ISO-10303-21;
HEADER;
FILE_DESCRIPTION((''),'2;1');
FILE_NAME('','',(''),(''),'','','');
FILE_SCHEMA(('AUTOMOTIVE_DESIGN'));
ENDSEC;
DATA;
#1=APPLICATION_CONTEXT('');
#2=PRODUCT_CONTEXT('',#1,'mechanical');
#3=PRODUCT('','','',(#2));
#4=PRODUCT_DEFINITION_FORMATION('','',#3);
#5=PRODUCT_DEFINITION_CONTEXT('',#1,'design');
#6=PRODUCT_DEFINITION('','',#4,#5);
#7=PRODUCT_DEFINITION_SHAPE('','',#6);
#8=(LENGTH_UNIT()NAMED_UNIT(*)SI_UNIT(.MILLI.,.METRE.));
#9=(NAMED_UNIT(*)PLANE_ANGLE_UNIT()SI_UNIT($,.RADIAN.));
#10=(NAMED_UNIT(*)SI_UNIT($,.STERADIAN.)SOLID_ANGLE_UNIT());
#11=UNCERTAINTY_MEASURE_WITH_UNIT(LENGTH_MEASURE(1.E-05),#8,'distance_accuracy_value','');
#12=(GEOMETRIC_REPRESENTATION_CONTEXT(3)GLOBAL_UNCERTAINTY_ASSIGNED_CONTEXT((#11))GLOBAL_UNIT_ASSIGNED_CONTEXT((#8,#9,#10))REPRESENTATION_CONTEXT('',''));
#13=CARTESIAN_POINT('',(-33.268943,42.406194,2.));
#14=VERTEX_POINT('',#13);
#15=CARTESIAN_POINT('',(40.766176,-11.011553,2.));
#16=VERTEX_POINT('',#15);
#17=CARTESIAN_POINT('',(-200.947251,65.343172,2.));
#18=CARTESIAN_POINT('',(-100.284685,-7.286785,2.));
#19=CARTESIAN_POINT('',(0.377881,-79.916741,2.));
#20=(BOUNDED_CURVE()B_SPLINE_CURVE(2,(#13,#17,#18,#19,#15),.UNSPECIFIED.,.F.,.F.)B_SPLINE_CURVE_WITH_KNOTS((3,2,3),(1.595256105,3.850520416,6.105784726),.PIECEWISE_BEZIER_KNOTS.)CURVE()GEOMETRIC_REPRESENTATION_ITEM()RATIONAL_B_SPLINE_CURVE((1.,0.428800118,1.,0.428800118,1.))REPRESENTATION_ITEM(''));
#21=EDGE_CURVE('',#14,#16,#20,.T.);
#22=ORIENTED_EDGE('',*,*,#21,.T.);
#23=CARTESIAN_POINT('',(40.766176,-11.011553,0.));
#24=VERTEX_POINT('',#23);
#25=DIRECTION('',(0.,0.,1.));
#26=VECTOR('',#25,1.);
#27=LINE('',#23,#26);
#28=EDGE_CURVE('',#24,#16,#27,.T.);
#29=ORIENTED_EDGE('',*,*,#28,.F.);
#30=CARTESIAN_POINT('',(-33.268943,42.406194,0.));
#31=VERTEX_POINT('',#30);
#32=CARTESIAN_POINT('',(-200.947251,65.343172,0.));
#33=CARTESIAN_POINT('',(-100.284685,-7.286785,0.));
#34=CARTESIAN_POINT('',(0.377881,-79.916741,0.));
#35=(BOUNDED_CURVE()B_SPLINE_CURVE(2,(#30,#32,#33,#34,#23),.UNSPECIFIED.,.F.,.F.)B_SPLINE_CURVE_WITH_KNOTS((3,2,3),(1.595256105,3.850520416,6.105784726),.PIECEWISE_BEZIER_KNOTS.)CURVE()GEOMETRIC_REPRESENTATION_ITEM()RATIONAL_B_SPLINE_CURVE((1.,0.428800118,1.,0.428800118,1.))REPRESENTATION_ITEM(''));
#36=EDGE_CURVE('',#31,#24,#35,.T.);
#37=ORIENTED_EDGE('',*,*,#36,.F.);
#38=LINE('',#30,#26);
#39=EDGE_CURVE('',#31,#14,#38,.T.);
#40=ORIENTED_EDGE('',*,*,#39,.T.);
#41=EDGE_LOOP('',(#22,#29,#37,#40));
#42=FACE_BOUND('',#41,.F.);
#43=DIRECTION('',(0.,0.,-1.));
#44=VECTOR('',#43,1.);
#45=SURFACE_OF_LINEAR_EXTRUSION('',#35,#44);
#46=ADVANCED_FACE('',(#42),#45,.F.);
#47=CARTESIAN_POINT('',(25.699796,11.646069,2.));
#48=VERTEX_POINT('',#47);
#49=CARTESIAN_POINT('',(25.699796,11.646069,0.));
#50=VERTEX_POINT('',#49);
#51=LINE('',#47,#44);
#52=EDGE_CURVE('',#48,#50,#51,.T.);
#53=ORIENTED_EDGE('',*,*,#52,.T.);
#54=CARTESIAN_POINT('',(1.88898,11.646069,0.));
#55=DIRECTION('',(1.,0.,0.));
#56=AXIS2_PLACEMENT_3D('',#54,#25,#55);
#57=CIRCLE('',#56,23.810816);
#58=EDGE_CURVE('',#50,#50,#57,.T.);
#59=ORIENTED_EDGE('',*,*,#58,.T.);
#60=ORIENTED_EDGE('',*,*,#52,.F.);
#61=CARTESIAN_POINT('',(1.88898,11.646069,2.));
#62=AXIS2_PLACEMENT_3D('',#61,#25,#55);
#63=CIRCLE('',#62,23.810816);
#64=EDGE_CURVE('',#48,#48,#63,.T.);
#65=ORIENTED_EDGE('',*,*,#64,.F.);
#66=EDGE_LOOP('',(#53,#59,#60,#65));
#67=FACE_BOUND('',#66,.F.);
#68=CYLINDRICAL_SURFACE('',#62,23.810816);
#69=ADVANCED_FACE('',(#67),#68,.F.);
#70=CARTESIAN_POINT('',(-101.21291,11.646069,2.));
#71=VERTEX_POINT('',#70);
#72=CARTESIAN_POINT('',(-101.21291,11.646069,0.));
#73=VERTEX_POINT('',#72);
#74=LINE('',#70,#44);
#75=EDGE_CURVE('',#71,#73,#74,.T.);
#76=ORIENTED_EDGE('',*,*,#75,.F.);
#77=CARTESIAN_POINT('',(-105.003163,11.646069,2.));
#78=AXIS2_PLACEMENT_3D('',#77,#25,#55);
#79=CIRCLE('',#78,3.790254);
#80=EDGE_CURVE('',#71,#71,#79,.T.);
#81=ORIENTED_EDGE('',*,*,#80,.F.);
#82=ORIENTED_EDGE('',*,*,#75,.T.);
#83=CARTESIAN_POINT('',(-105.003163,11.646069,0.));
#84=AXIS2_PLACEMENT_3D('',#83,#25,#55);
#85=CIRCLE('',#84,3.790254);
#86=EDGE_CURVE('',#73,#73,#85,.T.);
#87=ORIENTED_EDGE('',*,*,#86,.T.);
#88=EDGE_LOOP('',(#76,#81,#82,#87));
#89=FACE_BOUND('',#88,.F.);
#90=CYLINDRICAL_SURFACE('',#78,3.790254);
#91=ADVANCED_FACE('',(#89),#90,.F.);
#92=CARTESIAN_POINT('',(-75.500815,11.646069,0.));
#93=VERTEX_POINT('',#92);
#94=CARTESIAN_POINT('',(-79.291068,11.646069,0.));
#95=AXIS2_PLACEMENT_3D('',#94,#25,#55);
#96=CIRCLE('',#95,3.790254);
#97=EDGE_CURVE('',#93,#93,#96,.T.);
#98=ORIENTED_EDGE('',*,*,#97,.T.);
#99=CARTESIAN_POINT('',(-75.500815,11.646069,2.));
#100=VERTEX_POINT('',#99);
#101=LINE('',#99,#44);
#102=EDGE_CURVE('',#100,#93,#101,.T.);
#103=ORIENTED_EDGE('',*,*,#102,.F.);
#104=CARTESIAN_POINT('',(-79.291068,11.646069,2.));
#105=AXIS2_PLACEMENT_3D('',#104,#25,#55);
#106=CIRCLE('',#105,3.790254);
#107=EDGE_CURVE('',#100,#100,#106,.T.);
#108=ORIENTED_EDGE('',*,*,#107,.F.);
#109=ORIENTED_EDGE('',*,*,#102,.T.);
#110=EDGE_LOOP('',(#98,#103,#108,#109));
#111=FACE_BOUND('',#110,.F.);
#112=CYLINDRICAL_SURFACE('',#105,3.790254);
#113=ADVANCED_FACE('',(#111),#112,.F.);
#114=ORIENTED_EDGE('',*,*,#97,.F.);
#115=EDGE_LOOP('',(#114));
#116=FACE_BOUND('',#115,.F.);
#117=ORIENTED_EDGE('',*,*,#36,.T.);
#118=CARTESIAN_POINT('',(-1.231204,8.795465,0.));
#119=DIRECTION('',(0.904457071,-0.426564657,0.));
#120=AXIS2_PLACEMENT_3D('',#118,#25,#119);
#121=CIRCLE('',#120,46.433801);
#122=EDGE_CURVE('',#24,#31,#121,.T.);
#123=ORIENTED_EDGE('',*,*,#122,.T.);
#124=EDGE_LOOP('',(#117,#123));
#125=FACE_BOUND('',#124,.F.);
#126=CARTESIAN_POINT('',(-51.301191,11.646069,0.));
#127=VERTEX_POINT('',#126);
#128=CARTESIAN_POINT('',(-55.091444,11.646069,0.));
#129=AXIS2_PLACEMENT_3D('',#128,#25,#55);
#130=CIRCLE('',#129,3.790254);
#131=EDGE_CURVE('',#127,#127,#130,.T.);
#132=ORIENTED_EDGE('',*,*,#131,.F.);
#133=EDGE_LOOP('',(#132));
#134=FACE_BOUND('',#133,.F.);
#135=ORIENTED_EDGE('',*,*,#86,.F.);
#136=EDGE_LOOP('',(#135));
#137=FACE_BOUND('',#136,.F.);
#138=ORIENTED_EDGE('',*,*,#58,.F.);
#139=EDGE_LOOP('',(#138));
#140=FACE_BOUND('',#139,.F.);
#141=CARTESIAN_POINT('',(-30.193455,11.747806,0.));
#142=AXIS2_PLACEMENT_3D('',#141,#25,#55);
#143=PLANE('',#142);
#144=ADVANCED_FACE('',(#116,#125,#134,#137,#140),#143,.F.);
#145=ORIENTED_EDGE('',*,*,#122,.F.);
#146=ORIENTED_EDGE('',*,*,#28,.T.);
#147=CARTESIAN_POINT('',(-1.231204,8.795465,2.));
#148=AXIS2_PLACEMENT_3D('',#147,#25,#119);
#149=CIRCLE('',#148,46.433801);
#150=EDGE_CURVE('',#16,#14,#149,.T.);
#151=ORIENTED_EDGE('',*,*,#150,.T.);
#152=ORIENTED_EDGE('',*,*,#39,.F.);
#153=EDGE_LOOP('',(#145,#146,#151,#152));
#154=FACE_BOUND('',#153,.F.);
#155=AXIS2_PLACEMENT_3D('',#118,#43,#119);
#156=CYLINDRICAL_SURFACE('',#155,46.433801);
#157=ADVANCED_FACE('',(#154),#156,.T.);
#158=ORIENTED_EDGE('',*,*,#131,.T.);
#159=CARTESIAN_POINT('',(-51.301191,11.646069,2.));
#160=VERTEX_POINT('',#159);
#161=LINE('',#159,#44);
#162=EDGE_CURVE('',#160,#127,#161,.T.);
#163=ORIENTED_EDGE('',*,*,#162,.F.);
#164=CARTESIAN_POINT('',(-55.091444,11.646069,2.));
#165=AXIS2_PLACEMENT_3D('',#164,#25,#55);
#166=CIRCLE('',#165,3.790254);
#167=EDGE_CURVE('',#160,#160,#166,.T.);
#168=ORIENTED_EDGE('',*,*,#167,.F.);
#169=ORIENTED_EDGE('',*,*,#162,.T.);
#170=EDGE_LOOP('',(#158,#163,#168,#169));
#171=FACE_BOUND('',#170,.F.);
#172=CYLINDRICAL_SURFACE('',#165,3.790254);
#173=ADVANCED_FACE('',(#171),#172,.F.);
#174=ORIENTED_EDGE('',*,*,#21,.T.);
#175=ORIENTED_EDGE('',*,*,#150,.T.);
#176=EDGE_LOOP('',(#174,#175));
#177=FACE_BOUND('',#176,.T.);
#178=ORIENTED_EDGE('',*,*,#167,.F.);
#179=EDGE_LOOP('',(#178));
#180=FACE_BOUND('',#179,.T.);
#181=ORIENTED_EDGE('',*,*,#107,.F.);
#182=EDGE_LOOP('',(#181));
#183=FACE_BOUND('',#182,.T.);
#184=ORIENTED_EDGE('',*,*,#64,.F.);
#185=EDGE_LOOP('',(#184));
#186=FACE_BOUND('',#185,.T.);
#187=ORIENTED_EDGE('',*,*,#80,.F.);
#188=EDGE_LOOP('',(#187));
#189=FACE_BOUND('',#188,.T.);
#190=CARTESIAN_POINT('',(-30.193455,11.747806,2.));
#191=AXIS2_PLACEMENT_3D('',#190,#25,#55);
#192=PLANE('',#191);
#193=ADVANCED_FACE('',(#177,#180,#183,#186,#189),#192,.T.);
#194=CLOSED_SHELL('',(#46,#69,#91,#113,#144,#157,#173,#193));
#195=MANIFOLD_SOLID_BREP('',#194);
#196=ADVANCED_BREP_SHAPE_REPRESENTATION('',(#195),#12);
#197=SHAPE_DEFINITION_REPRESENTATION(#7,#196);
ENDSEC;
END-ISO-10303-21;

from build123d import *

# Parameters (mm, degrees)
F1_DEPTH = 2
F2_R     = 3.7902535162
F2_R_2   = 23.8108157565
F3_DEPTH = 2.0010001


with BuildPart() as f1:
    # F0 (on Top) → F1 (new body)
    with BuildSketch(Plane.XY):
        with BuildLine():
            ThreePointArc((40.7661758363, -11.0115529969), (25.9379430058, 46.4509473189), (-33.268943429, 42.406193912))
            add(Edge.make_bspline(
                [(-33.268943429, 42.406193912), (-200.9472513655, 65.343171751), (-100.2846852345, -7.2867846015), (0.3778808964, -79.916740954), (40.7661758363, -11.0115529969)],
                knots=[1.5952561053, 1.5952561053, 1.5952561053, 3.8505204156, 3.8505204156, 6.1057847259, 6.1057847259, 6.1057847259], degree=2, weights=[1, 0.4288001176, 1, 0.4288001176, 1]))
        make_face()
    extrude(amount=F1_DEPTH)

    # F2 (on face) → F3 (cut, through all)
    with BuildSketch(Plane.XY.offset(2)):
        with Locations((-105.0031632185, 11.646068655)):
            Circle(F2_R)
        with Locations((-79.2910680175, 11.646068655)):
            Circle(F2_R)
        with Locations((-55.0914444029, 11.646068655)):
            Circle(F2_R)
        with Locations((1.8889798428, 11.646068655)):
            Circle(F2_R_2)
    extrude(amount=-F3_DEPTH, mode=Mode.SUBTRACT)


solid = f1.part
